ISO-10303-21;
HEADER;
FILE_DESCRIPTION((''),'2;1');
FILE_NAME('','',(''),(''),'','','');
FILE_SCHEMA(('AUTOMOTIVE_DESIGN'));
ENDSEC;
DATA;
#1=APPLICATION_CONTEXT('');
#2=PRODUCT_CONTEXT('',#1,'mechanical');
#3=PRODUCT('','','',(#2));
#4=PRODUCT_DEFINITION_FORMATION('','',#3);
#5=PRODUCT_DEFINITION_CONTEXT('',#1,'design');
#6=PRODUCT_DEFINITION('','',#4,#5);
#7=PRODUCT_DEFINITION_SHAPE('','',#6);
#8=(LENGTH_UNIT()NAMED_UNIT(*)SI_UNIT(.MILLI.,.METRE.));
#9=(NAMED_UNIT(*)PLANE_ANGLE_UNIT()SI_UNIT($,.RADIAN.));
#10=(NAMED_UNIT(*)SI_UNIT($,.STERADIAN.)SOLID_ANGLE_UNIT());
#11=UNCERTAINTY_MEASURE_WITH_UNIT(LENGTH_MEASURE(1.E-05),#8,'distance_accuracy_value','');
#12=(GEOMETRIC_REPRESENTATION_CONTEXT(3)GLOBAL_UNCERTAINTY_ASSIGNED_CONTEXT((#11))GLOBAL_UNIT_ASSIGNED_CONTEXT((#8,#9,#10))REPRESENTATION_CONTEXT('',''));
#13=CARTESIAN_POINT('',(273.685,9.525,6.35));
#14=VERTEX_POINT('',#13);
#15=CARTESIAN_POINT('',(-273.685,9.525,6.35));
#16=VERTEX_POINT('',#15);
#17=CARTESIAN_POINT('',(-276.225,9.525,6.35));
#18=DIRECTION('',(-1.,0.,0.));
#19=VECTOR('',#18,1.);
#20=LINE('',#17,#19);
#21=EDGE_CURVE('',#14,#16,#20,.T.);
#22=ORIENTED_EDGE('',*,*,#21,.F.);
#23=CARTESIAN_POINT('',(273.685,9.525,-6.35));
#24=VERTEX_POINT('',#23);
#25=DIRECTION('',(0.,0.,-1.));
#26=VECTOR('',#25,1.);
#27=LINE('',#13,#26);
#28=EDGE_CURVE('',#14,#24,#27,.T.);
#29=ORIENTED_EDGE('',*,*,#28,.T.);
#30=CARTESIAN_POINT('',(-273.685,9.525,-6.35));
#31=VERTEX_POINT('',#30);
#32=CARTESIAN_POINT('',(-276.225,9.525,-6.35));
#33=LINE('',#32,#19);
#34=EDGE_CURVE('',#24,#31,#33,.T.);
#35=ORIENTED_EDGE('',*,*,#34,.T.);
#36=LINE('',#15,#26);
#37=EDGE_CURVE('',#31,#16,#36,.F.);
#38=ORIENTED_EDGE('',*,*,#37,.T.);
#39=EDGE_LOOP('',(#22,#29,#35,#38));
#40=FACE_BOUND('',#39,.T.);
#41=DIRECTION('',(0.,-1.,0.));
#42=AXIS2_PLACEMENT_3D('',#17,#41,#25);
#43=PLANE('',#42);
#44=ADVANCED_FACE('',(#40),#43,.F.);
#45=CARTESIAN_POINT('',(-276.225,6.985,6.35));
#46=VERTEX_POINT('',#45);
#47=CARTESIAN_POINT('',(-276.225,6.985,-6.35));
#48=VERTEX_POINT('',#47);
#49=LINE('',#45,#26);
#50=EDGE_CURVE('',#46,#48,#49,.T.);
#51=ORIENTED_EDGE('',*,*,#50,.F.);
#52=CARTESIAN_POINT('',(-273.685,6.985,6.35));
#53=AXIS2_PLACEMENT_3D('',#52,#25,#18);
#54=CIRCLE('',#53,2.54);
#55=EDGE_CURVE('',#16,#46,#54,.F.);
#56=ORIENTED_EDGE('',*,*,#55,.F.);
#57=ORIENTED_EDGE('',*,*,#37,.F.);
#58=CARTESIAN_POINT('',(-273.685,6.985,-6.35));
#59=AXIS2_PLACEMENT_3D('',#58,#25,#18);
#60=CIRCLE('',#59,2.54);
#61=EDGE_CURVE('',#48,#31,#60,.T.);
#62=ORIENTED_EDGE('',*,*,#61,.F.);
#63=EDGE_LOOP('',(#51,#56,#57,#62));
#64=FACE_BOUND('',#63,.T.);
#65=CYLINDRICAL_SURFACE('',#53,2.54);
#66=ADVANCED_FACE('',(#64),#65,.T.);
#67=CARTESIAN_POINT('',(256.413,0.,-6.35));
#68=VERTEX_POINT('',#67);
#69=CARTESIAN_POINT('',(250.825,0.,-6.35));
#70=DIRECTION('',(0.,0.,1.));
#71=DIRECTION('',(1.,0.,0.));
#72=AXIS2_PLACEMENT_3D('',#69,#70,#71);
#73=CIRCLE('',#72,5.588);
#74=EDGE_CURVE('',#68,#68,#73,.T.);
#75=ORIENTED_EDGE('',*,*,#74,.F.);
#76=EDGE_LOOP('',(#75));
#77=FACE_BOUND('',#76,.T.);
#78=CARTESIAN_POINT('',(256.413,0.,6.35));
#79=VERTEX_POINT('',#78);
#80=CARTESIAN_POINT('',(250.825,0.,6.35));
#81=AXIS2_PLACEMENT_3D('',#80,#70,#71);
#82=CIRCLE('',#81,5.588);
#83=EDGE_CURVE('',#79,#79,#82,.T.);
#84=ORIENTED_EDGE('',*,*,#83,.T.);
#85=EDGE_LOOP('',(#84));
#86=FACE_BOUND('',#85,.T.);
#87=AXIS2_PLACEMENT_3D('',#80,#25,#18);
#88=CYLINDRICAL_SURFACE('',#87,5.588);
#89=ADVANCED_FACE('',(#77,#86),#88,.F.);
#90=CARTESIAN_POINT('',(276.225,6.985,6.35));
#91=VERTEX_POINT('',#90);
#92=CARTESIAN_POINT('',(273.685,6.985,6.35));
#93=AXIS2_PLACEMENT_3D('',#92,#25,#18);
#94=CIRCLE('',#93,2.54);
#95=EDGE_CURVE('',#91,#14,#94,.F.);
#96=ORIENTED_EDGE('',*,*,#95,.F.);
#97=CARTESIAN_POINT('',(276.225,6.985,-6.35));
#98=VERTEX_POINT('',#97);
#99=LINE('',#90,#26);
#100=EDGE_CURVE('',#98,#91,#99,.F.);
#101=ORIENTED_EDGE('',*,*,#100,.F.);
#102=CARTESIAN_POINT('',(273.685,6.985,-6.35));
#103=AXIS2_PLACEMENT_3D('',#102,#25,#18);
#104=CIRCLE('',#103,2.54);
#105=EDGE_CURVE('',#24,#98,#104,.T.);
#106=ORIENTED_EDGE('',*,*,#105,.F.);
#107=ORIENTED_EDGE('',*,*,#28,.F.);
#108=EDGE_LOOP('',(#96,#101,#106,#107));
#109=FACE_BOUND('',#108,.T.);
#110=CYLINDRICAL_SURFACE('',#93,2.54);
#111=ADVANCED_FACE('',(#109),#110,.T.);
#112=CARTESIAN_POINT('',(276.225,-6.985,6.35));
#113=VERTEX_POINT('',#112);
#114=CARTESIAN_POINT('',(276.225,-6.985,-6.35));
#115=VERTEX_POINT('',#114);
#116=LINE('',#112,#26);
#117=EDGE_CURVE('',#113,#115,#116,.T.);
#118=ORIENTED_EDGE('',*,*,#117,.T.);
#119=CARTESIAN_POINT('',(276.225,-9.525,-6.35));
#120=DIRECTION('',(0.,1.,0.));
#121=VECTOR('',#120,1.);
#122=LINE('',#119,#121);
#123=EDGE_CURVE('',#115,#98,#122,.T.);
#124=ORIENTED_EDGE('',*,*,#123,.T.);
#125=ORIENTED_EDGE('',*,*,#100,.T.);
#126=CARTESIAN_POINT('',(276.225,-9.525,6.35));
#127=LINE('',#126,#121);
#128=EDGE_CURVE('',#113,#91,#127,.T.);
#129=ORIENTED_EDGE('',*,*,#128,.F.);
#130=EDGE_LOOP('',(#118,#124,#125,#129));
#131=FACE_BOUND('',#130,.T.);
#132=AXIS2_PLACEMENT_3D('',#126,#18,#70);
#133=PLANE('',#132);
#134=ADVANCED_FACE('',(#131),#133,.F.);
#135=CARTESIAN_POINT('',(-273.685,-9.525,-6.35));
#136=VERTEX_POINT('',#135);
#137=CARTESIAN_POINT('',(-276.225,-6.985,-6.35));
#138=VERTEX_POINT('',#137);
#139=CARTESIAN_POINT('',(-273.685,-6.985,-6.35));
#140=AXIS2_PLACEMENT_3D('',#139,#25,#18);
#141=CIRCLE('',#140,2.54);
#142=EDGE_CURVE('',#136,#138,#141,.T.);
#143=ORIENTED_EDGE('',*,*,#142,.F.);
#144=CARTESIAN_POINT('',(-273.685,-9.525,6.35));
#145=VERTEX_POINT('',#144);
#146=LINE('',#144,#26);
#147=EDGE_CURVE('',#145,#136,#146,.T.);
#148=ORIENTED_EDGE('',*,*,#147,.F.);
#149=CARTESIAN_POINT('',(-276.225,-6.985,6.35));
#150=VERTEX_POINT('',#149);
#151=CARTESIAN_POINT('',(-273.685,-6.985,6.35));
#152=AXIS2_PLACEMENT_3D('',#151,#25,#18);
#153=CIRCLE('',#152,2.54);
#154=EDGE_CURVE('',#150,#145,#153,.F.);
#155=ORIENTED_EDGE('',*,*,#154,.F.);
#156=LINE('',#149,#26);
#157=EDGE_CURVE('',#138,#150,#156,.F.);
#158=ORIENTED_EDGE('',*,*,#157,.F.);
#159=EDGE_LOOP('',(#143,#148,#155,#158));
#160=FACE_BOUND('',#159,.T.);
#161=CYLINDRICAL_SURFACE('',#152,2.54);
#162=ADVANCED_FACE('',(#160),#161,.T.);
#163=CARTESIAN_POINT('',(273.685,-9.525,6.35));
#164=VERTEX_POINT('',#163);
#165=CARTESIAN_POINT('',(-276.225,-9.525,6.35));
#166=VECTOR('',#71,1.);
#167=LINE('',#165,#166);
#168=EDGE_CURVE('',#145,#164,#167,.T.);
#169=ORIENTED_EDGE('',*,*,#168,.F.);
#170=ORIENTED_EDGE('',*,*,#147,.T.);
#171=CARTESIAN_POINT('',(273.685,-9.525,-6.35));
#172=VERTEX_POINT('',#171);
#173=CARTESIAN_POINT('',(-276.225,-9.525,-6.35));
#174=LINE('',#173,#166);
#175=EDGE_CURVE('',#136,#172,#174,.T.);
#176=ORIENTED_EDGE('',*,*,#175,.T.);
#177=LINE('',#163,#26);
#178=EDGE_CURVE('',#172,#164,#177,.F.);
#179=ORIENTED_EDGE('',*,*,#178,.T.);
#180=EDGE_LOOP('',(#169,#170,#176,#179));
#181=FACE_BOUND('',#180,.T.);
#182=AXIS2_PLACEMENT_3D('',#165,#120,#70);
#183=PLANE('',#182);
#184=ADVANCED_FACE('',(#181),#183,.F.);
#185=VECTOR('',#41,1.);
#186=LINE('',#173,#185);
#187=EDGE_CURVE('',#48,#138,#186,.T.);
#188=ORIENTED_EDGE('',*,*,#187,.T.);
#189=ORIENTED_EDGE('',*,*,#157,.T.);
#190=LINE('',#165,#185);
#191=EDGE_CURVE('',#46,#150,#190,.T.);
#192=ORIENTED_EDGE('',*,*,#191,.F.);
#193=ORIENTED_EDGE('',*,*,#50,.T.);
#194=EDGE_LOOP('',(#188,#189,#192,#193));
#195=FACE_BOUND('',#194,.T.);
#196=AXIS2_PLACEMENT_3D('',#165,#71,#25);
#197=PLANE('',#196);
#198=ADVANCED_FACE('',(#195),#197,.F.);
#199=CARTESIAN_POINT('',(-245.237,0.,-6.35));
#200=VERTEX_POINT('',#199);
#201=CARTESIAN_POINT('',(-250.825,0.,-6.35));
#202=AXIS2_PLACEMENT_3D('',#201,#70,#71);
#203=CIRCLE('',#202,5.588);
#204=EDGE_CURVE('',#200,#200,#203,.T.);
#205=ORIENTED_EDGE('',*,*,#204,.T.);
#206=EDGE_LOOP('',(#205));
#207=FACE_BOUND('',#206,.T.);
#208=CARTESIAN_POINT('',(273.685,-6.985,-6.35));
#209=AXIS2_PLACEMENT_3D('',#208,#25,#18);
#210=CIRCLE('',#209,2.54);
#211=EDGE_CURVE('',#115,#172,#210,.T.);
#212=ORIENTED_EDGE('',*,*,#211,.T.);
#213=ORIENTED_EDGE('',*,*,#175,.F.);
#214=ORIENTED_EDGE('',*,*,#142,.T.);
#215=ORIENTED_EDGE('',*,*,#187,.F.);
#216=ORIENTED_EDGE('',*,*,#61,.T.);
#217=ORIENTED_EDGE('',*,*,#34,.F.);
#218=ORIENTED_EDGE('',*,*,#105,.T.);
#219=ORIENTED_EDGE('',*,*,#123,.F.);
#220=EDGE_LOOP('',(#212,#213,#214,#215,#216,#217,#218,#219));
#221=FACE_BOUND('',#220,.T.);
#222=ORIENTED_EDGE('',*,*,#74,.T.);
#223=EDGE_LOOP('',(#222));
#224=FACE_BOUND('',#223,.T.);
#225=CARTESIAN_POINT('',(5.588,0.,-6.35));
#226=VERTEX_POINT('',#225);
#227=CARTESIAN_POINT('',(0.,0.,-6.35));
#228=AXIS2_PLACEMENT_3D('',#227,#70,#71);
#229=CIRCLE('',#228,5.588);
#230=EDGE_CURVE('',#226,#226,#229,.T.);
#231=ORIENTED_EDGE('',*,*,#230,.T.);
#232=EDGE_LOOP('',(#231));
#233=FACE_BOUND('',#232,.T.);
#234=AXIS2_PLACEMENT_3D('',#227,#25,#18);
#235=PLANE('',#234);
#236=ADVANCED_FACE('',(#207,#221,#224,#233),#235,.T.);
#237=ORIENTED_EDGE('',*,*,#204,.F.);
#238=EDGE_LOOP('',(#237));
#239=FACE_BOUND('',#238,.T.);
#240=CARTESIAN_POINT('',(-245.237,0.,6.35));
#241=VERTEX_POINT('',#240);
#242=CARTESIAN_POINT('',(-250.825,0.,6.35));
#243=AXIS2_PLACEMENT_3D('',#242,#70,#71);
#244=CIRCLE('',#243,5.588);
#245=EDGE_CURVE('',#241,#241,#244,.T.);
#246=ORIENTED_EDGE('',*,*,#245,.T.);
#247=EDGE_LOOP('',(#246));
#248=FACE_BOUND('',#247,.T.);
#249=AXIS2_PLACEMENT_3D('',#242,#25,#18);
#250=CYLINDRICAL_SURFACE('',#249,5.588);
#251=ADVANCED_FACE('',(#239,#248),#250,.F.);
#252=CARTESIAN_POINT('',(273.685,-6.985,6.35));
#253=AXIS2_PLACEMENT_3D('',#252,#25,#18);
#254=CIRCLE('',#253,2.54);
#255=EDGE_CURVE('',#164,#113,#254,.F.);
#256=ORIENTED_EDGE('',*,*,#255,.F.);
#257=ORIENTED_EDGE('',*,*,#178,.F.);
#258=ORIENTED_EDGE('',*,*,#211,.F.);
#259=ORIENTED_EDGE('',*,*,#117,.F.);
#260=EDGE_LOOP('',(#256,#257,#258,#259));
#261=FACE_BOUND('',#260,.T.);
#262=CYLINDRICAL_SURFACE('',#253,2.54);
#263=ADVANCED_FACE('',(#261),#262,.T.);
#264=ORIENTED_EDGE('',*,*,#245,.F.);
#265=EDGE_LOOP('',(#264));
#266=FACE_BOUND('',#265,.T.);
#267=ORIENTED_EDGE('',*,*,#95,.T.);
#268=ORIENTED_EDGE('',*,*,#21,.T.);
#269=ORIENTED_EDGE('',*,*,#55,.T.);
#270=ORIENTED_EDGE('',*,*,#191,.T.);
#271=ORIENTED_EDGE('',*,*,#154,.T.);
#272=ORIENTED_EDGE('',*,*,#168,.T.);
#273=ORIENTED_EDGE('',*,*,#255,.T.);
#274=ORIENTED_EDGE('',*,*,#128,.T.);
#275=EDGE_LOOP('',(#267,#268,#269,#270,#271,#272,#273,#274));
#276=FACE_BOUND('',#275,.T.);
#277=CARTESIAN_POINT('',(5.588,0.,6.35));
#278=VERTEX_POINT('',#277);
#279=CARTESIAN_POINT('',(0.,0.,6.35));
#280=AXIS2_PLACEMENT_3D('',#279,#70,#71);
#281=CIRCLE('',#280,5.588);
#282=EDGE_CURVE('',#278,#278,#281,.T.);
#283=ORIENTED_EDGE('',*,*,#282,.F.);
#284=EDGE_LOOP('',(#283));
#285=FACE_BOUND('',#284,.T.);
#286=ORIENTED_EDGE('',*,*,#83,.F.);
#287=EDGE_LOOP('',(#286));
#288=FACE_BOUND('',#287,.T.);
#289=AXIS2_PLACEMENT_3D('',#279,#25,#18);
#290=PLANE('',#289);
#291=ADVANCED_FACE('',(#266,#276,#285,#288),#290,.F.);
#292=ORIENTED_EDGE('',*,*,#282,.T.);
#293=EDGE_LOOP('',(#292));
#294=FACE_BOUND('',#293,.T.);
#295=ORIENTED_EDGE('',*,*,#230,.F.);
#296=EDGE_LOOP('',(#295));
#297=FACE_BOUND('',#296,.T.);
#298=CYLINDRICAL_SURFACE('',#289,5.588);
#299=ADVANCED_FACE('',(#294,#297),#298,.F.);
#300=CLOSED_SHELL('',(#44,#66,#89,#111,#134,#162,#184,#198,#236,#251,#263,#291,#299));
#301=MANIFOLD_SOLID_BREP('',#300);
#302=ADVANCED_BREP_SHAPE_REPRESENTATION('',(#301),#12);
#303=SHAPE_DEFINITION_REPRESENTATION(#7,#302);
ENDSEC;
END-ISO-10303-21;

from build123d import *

# Parameters (mm, degrees)
SKETCH1_W           = 552.45
SKETCH1_H           = 19.05
SKETCH1_R           = 5.588
BOSS_EXTRUDE1_DEPTH = 6.35
FILLET1_R           = 2.54


with BuildPart() as part:
    # Sketch1 → Boss-Extrude1 (new, symmetric)
    with BuildSketch(Plane.XY):
        Rectangle(SKETCH1_W, SKETCH1_H)
        Circle(SKETCH1_R, mode=Mode.SUBTRACT)
        with Locations((-250.825, 0)):
            Circle(SKETCH1_R, mode=Mode.SUBTRACT)
        with Locations((250.825, 0)):
            Circle(SKETCH1_R, mode=Mode.SUBTRACT)
    extrude(amount=BOSS_EXTRUDE1_DEPTH, both=True)

    # Fillet1
    fillet1_edges = [part.edges().sort_by_distance(p)[0] for p in [
        (276.225, -9.525, 0),
        (-276.225, -9.525, 0),
        (-276.225, 9.525, 0),
        (276.225, 9.525, 0),
    ]]
    fillet(fillet1_edges, radius=FILLET1_R)


solid = part.part
